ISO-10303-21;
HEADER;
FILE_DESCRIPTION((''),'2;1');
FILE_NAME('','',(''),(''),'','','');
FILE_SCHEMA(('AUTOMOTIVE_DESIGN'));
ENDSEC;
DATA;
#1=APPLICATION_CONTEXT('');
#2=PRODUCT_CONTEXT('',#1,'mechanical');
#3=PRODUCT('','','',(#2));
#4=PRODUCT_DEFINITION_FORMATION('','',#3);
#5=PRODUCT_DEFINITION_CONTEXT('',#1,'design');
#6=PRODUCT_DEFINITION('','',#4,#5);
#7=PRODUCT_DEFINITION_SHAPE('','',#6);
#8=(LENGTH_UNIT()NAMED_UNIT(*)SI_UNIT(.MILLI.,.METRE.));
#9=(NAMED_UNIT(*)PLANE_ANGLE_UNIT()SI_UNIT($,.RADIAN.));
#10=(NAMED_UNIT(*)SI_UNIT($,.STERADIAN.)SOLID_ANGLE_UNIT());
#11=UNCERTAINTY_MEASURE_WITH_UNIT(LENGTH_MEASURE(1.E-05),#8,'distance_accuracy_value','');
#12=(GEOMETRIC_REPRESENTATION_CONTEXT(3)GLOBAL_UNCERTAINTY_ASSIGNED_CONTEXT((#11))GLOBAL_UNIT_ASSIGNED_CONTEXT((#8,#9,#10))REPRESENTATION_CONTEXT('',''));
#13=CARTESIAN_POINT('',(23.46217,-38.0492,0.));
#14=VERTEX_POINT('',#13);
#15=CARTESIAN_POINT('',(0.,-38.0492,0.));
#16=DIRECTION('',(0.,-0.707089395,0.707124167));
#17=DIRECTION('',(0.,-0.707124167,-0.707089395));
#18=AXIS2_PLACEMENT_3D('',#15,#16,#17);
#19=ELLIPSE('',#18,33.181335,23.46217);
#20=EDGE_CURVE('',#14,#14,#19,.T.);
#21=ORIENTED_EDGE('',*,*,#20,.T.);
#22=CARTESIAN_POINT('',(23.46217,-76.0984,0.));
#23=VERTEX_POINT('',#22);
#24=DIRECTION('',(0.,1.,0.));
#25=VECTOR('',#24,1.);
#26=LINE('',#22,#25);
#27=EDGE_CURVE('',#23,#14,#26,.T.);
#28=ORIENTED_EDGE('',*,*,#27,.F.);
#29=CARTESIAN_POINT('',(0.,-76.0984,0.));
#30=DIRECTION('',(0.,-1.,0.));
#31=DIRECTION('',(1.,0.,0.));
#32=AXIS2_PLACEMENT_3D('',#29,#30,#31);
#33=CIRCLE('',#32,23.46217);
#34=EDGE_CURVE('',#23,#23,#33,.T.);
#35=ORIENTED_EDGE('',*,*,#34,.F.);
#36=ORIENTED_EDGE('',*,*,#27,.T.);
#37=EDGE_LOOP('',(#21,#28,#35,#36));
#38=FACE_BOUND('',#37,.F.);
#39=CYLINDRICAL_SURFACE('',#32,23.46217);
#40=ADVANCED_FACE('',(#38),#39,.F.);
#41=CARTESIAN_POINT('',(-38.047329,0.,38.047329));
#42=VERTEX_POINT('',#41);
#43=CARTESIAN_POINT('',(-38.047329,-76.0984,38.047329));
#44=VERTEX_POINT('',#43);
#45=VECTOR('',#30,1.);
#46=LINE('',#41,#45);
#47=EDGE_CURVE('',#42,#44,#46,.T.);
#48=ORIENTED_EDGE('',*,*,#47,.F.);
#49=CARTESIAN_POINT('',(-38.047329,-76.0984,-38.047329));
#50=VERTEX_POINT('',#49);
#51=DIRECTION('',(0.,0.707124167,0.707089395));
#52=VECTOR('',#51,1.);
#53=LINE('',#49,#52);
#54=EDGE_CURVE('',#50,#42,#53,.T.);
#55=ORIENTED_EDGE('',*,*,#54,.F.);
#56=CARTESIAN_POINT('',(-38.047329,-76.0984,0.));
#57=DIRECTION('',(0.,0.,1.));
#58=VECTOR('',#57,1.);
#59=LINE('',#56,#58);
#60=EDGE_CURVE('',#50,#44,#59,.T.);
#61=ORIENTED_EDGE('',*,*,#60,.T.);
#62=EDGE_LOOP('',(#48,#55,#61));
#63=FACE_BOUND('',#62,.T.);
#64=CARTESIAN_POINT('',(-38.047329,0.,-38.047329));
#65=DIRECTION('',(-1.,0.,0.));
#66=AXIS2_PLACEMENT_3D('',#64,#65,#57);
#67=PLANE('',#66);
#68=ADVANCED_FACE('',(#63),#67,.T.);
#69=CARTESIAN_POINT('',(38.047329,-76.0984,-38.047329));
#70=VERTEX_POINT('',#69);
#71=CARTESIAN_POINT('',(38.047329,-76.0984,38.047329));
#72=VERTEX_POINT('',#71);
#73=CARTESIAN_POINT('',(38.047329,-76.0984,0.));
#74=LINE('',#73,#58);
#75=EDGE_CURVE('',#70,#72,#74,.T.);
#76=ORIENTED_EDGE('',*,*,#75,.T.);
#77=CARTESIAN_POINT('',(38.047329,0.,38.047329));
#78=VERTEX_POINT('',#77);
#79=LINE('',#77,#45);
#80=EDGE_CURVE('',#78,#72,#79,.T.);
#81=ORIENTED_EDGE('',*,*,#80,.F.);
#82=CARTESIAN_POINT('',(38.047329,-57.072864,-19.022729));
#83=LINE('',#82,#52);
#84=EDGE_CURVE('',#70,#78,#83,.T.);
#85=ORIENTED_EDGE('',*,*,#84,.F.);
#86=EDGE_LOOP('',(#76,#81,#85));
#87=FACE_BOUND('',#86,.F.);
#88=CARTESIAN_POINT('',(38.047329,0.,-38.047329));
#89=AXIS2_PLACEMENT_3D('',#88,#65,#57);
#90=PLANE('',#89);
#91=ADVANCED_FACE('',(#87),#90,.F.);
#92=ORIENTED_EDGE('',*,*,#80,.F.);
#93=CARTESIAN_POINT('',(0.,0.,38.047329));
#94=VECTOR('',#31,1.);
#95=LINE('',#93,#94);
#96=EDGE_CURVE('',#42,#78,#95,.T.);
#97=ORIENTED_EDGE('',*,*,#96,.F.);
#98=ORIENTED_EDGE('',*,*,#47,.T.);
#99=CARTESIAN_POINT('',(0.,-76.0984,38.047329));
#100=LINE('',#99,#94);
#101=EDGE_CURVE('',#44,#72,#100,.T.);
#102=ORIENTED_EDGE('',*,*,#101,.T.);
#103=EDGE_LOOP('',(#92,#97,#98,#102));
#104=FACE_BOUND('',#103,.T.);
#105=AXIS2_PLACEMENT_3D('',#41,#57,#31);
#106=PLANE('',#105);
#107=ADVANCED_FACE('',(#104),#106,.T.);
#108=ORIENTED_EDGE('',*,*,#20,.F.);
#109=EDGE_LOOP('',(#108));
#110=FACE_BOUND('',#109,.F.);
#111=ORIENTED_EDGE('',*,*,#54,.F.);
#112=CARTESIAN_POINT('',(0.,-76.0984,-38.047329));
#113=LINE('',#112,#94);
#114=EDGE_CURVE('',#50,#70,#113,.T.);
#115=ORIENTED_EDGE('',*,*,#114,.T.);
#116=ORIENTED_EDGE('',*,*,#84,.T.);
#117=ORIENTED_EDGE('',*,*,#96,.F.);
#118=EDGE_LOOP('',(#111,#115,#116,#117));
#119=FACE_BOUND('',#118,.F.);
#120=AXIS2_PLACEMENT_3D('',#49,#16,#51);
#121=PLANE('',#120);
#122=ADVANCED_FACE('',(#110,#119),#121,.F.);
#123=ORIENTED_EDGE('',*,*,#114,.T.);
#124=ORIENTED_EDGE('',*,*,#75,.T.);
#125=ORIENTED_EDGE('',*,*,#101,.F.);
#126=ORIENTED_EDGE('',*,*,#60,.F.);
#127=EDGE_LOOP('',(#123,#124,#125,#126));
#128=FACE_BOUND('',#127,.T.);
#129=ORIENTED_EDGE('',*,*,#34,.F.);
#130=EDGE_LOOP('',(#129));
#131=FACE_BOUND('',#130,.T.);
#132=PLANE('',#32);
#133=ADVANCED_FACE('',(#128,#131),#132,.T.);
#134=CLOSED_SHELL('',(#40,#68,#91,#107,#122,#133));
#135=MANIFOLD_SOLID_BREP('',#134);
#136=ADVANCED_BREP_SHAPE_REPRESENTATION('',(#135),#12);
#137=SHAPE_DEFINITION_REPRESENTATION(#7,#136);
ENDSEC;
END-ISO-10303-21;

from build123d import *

# Parameters (mm, degrees)
F0_W     = 76.094658
F0_H     = 76.094658
F1_DEPTH = 76.0984
F3_DEPTH = 76.0984
F4_R     = 23.46217
F5_DEPTH = 63.5


with BuildPart() as f1:
    # F0 (on Front) → F1 (new body)
    with BuildSketch(Plane.XZ):
        Rectangle(F0_W, F0_H)
    extrude(amount=F1_DEPTH)

    # F2 (on face) → F3 (cut)
    with BuildSketch(Plane(origin=(-38.047329, 0, 0), x_dir=(0, -1, 0), z_dir=(-1, 0, 0))):
        Polygon((76.0984, -38.047329), (0, 38.047329), (0, -38.047329), align=None)
    extrude(amount=-F3_DEPTH, mode=Mode.SUBTRACT)

    # F4 (on face) → F5 (cut)
    with BuildSketch(Plane.XZ.offset(76.0984)):
        Circle(F4_R)
    extrude(amount=-F5_DEPTH, mode=Mode.SUBTRACT)


solid = f1.part
